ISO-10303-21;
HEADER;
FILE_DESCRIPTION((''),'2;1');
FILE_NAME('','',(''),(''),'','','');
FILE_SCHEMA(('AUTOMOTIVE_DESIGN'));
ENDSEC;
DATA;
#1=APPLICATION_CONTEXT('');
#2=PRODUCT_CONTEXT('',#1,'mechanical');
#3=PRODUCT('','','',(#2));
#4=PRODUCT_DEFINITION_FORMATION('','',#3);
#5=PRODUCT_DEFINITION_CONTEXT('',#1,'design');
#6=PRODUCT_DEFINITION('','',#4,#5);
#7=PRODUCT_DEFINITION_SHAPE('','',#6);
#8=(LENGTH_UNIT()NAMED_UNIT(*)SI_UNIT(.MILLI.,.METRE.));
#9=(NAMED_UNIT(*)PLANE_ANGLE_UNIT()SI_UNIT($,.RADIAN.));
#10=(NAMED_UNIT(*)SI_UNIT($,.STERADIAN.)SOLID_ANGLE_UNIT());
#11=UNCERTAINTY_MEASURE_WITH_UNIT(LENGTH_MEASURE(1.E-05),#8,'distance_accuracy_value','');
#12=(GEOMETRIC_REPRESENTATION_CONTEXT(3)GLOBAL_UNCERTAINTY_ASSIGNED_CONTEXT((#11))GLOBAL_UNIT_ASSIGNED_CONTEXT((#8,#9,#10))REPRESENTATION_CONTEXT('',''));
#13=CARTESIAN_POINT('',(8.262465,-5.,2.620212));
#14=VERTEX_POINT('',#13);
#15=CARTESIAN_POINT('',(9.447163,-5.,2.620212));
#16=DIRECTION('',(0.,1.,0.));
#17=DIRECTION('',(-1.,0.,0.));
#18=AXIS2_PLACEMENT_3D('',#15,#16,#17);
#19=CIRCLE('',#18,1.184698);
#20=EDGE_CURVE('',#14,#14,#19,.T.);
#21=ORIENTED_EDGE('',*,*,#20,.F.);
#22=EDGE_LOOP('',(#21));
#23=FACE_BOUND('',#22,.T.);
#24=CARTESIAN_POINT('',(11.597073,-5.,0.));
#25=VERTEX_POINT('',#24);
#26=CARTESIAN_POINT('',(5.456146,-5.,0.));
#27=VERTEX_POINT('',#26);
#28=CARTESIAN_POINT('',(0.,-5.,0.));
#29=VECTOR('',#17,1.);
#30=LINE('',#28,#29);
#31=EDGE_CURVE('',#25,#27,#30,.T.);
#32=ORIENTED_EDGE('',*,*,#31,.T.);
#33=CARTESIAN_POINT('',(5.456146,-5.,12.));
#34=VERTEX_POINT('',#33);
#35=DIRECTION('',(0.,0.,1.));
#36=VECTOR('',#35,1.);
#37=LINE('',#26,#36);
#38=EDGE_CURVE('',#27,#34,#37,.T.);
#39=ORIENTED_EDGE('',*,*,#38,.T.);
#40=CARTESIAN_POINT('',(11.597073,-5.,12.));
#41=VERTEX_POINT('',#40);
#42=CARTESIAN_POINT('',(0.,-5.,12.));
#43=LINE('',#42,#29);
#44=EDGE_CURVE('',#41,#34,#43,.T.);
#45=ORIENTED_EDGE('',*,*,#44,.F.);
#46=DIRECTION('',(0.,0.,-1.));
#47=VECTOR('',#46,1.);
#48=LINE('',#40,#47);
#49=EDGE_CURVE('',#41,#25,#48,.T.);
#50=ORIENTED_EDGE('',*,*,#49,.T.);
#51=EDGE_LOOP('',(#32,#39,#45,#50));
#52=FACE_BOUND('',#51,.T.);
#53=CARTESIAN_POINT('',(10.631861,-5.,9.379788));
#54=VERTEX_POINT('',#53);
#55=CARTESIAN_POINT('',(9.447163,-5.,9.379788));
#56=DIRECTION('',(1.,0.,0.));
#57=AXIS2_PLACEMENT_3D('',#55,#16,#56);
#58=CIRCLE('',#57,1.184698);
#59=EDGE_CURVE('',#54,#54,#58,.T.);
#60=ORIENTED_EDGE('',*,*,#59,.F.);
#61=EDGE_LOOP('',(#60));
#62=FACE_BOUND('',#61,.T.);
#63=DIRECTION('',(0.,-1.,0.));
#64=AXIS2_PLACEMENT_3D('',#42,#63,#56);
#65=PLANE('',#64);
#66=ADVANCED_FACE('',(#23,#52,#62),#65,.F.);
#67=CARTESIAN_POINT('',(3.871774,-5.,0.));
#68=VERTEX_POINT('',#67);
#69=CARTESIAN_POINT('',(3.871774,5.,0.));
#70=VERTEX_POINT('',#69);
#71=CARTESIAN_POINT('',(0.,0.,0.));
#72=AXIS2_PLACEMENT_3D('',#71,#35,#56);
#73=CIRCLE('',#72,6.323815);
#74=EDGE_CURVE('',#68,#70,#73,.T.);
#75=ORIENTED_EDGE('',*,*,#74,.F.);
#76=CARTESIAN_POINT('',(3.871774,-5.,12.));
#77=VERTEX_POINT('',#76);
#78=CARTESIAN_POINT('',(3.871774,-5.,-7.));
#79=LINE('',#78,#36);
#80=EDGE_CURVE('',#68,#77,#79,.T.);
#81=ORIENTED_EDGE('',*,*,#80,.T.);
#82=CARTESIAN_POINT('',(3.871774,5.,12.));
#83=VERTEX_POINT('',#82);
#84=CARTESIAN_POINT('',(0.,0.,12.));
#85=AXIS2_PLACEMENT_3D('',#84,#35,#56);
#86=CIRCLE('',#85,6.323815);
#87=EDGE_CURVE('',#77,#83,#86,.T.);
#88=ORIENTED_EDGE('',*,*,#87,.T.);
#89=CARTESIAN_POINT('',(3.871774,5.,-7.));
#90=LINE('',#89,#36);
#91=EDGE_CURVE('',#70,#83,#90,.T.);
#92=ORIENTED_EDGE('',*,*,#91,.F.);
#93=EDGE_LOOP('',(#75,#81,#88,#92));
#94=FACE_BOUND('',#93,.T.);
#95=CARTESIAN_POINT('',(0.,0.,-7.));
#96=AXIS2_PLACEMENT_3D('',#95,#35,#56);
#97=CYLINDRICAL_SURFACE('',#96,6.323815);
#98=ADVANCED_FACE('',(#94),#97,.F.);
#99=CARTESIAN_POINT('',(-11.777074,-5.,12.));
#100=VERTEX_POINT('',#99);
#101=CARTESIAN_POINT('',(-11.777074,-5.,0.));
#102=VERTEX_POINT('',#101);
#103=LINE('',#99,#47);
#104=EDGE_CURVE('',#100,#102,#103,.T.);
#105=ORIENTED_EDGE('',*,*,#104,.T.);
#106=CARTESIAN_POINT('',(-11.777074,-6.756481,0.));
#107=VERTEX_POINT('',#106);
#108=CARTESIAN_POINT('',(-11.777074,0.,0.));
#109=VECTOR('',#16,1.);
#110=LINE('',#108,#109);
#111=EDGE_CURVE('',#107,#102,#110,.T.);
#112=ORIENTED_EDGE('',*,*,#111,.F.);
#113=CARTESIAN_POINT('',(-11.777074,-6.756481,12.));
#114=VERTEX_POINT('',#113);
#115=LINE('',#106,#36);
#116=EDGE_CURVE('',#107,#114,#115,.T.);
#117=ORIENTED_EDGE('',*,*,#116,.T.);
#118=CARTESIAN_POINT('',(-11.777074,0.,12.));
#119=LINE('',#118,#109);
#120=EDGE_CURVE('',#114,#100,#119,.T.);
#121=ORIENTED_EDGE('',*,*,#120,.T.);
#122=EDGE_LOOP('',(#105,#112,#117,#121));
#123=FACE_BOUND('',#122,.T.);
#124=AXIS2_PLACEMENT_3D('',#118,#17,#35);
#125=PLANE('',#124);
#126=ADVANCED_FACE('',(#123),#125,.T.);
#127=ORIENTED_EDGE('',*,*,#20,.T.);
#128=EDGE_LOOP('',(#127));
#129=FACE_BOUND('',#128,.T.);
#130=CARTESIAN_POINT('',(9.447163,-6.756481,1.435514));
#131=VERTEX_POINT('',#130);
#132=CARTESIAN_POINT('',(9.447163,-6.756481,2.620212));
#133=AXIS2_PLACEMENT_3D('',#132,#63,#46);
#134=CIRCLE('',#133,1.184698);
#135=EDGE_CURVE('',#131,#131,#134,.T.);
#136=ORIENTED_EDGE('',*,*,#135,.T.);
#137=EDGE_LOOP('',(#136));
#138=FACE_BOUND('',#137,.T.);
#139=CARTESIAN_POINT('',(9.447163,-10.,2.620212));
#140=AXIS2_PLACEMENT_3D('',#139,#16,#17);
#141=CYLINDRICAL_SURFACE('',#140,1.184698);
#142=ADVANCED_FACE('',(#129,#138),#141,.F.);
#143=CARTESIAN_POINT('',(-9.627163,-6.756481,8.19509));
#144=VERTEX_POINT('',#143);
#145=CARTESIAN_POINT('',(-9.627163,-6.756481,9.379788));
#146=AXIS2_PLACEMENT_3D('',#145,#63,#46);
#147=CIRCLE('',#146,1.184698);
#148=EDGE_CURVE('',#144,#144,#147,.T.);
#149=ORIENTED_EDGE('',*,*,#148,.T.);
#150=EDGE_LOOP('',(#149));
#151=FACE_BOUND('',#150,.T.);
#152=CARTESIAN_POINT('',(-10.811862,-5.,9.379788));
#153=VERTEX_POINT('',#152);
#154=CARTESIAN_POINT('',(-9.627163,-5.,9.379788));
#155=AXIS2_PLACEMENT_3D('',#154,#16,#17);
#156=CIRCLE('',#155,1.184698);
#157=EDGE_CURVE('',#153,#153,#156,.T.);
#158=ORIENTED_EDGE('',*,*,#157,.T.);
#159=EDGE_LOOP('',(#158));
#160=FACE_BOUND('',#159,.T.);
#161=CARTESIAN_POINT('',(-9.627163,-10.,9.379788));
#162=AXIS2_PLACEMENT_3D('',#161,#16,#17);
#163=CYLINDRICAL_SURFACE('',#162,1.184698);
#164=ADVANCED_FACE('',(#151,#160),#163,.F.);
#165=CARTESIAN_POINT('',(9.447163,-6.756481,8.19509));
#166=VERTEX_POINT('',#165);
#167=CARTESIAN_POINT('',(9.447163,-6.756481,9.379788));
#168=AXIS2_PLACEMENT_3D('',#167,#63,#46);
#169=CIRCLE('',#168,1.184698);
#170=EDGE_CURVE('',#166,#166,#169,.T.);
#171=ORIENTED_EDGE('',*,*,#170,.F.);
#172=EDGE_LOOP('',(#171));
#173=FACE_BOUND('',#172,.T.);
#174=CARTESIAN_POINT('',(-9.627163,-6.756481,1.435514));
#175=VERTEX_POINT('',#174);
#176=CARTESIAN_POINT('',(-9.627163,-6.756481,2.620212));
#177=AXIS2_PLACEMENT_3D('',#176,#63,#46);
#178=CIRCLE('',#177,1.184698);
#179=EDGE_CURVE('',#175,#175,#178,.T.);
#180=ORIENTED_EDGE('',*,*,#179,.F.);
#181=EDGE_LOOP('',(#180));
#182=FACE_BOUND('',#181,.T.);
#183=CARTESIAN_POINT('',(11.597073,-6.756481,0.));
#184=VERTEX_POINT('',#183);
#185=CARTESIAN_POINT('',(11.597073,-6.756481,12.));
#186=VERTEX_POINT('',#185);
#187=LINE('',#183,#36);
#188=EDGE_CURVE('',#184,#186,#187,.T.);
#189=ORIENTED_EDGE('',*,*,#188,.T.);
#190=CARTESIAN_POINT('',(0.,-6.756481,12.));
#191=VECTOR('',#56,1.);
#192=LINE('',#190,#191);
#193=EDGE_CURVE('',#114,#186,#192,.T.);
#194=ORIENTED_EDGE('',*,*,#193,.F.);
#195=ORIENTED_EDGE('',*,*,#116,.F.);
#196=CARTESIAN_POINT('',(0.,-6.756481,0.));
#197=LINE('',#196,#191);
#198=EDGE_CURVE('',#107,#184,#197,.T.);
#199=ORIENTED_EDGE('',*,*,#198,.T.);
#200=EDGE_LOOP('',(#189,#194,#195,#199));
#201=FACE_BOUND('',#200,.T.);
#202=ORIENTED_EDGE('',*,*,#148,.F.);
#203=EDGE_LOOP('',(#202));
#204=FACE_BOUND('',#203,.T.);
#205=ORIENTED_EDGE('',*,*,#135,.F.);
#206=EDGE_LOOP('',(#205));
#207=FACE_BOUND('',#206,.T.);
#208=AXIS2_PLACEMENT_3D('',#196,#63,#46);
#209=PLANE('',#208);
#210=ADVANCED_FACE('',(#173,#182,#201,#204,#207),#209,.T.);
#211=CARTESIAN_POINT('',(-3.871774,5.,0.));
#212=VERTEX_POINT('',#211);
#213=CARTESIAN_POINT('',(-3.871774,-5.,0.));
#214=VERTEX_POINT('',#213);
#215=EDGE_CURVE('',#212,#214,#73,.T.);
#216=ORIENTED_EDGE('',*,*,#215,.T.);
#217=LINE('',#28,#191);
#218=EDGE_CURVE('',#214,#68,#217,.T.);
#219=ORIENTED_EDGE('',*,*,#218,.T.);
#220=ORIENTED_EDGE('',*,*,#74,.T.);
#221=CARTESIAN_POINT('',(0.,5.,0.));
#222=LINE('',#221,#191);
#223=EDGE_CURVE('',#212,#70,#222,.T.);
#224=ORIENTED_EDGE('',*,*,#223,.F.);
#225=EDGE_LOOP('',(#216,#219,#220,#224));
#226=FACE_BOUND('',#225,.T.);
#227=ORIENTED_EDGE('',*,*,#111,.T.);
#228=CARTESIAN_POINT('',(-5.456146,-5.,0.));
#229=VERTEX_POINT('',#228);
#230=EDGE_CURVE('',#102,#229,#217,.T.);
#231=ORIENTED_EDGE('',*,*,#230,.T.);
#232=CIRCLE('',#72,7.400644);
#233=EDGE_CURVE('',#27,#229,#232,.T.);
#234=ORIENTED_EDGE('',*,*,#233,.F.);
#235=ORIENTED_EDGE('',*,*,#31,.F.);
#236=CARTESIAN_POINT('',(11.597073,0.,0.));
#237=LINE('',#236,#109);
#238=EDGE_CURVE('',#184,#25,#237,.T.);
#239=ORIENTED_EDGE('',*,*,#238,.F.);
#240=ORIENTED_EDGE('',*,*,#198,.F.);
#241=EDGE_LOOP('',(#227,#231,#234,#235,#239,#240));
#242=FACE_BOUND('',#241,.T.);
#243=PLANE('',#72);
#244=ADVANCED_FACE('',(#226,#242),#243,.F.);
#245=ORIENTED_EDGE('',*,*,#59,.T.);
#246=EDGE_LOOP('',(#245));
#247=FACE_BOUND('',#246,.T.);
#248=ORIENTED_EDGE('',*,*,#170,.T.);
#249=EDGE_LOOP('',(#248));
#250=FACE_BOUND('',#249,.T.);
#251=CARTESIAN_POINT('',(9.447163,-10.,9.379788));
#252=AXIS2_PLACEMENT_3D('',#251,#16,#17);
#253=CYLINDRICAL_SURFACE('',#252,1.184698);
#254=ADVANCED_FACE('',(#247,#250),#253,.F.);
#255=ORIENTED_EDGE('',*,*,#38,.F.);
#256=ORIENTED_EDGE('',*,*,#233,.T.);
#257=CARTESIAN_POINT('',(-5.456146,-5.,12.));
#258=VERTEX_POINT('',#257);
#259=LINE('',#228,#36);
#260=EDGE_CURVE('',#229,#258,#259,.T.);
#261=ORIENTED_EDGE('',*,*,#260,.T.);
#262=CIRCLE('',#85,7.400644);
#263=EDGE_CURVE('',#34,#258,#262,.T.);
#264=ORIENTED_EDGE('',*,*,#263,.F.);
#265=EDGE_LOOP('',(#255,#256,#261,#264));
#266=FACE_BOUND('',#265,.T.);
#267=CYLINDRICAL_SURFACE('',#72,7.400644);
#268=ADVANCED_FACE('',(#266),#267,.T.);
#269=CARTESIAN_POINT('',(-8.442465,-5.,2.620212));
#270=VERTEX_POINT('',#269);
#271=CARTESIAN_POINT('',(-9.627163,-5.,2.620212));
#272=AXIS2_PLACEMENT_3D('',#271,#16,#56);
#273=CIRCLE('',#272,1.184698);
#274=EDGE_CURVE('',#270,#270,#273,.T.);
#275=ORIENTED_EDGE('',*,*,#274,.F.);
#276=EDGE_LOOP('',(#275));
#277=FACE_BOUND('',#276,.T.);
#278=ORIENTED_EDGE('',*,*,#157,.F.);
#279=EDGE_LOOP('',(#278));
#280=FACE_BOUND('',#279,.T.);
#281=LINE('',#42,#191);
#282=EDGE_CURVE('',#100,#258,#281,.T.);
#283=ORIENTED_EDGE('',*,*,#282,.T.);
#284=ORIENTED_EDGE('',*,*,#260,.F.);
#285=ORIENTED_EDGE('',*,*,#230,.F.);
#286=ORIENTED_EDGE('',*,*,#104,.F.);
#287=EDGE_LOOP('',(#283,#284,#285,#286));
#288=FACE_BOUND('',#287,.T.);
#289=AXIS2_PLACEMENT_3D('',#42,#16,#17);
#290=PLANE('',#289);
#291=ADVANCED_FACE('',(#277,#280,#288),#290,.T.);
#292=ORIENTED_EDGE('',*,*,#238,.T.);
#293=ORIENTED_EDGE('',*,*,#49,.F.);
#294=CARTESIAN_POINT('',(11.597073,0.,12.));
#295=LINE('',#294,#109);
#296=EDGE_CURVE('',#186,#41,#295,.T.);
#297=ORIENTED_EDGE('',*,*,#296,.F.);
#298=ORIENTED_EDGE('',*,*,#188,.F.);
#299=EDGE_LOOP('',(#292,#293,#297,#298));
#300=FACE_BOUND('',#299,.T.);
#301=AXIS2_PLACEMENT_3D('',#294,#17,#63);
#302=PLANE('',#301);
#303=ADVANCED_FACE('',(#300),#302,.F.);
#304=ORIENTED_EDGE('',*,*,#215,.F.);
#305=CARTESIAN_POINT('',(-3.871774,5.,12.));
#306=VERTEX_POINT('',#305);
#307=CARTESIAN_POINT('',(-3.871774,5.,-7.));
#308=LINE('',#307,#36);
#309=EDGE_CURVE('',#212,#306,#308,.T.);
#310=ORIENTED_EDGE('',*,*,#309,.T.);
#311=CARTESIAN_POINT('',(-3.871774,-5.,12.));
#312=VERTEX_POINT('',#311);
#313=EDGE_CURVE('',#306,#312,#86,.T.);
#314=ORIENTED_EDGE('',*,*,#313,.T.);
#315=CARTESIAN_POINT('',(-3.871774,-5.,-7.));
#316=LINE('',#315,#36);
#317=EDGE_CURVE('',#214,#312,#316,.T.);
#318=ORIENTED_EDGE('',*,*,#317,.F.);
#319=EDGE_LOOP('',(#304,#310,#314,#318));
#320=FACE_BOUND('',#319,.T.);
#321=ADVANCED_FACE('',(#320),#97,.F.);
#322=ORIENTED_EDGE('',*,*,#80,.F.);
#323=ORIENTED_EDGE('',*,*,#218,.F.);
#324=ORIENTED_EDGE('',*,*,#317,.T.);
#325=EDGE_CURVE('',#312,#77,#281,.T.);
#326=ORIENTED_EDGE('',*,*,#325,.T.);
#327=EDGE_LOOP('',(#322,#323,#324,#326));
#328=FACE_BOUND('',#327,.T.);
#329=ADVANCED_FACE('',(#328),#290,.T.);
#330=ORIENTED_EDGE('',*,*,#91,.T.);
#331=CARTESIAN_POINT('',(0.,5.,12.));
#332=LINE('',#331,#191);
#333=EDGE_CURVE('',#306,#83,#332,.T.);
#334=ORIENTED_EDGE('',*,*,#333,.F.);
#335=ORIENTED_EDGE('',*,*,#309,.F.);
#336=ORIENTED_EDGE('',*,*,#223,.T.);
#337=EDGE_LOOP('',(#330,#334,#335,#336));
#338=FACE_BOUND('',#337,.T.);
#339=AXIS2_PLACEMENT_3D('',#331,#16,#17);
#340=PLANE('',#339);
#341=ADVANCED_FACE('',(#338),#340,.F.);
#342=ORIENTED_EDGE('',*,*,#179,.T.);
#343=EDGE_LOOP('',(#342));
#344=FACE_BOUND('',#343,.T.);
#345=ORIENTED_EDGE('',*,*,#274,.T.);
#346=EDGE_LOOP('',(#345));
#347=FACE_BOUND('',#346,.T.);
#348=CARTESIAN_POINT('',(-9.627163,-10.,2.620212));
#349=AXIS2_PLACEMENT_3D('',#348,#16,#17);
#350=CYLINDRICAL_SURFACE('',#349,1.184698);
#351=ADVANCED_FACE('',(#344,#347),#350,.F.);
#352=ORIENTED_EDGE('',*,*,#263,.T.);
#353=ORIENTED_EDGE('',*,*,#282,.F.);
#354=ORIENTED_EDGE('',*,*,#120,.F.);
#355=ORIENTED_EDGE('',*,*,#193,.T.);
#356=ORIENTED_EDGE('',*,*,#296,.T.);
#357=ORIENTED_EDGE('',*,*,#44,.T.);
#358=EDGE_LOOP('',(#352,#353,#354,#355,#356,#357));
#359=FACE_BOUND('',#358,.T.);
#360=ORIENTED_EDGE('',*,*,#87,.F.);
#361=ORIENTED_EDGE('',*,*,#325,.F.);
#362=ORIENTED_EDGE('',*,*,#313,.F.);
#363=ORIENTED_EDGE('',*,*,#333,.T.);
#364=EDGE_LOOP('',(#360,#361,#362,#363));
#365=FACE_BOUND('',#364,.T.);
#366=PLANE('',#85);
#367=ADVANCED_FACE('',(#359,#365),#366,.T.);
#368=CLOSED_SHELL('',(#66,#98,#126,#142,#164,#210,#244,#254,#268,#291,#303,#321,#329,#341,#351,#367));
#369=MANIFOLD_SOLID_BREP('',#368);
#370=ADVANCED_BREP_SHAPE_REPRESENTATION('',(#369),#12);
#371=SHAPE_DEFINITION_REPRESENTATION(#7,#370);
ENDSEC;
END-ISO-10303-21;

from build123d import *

# Parameters (mm, degrees)
BOSS_EXTRUDE1_DEPTH = 12
SKETCH3_R           = 1.184698277
CUT_EXTRUDE3_DEPTH  = 5
BOSS_EXTRUDE6_DEPTH = 12
CUT_EXTRUDE4_DEPTH  = 12
SKETCH10_R          = 1.184698277
CUT_EXTRUDE5_DEPTH  = 12
CUT_EXTRUDE7_DEPTH  = 19


with BuildPart() as part:
    # Sketch1 → Boss-Extrude1 (new body)
    with BuildSketch(Plane.XY):
        with BuildLine():
            Line((-4.775747962, -5), (-3.406624892, -5))
            ThreePointArc((-3.406624892, -5), (-6.090000101, 0), (-3.406624892, 5))
            Line((-3.406624892, 5), (3.226624689, 5))
            ThreePointArc((3.226624689, 5), (5.909999899, 0), (3.226624689, -5))
            Line((3.226624689, -5), (4.595747759, -5))
            ThreePointArc((4.595747759, -5), (-0.090000101, 6.852461821), (-4.775747962, -5))
        make_face()
        with BuildLine():
            Line((11.597073435, -5), (4.595747759, -5))
            ThreePointArc((4.595747759, -5), (3.939029098, -5.542847348), (3.220019991, -6))
            Line((3.220019991, -6), (11.597073435, -6))
            Line((11.597073435, -6), (11.597073435, -5))
        make_face()
        with BuildLine():
            Line((3.226624689, -5), (-3.406624892, -5))
            Line((-3.406624892, -5), (-4.775747962, -5))
            ThreePointArc((-4.775747962, -5), (-4.119029301, -5.542847348), (-3.400020194, -6))
            Line((-3.400020194, -6), (3.220019991, -6))
            ThreePointArc((3.220019991, -6), (3.939029098, -5.542847348), (4.595747759, -5))
            Line((4.595747759, -5), (3.226624689, -5))
        make_face()
        with BuildLine():
            ThreePointArc((-3.400020194, -6), (-4.119029301, -5.542847348), (-4.775747962, -5))
            Line((-4.775747962, -5), (-11.777073637, -5))
            Line((-11.777073637, -5), (-11.777073637, -6))
            Line((-11.777073637, -6), (-3.400020194, -6))
        make_face()
    extrude(amount=BOSS_EXTRUDE1_DEPTH)

    # Sketch3 → Cut-Extrude3 (cut)
    with BuildSketch(Plane(origin=(0, -5, 0), x_dir=(1, 0, 0), z_dir=(0, 1, 0))):
        with Locations((-9.627163284, -9.379788166)):
            Circle(SKETCH3_R)
        with Locations((9.447163082, -9.379788166)):
            Circle(SKETCH3_R)
        with Locations((9.447163082, -2.620211834)):
            Circle(SKETCH3_R)
        with Locations((-9.627163284, -2.620211834)):
            Circle(SKETCH3_R)
    extrude(amount=-CUT_EXTRUDE3_DEPTH, mode=Mode.SUBTRACT)

    # Sketch7 → Boss-Extrude6 (add)
    with BuildSketch(Plane.XY.offset(12)):
        with BuildLine():
            ThreePointArc((5.456145908, -5), (0, 7.400643767), (-5.456145908, -5))
            Line((-5.456145908, -5), (-4.775747962, -5))
            ThreePointArc((-4.775747962, -5), (-0.090000101, 6.852461821), (4.595747759, -5))
            Line((4.595747759, -5), (5.456145908, -5))
        make_face()
        with BuildLine():
            Line((-4.33238135, -6), (-11.777073637, -6))
            Line((-11.777073637, -6), (-11.777073637, -6.756480667))
            Line((-11.777073637, -6.756480667), (-3.019850519, -6.756480667))
            ThreePointArc((-3.019850519, -6.756480667), (-3.695523524, -6.411913447), (-4.33238135, -6))
        make_face()
        with BuildLine():
            Line((4.33238135, -6), (-4.33238135, -6))
            ThreePointArc((-4.33238135, -6), (-3.695523524, -6.411913447), (-3.019850519, -6.756480667))
            Line((-3.019850519, -6.756480667), (3.019850519, -6.756480667))
            ThreePointArc((3.019850519, -6.756480667), (3.695523524, -6.411913447), (4.33238135, -6))
        make_face()
        with BuildLine():
            Line((11.597073435, -6), (4.33238135, -6))
            ThreePointArc((4.33238135, -6), (3.695523524, -6.411913447), (3.019850519, -6.756480667))
            Line((3.019850519, -6.756480667), (11.597073435, -6.756480667))
            Line((11.597073435, -6.756480667), (11.597073435, -6))
        make_face()
    extrude(amount=-BOSS_EXTRUDE6_DEPTH)

    # Sketch9 → Cut-Extrude4 (cut)
    with BuildSketch(Plane.XY.offset(12)):
        with BuildLine():
            Line((-3.476794678, 5), (3.476794678, 5))
            ThreePointArc((3.476794678, 5), (6.090000101, 0), (3.476794678, -5))
            Line((3.476794678, -5), (-3.476794678, -5))
            ThreePointArc((-3.476794678, -5), (-6.090000101, 0), (-3.476794678, 5))
        make_face()
    extrude(amount=-CUT_EXTRUDE4_DEPTH, mode=Mode.SUBTRACT)

    # Sketch10 → Cut-Extrude5 (cut)
    with BuildSketch(Plane(origin=(0, -5, 0), x_dir=(1, 0, 0), z_dir=(0, 1, 0))):
        with Locations((-9.627163284, -2.620211834)):
            Circle(SKETCH10_R)
        with Locations((-9.627163284, -9.379788166)):
            Circle(SKETCH10_R)
        with Locations((9.447163082, -2.620211834)):
            Circle(SKETCH10_R)
        with Locations((9.447163082, -9.379788166)):
            Circle(SKETCH10_R)
    extrude(amount=-CUT_EXTRUDE5_DEPTH, mode=Mode.SUBTRACT)

    # Sketch11 → Cut-Extrude7 (cut)
    with BuildSketch(Plane.XY.offset(12)):
        with BuildLine():
            Line((-3.476794678, 5), (-3.871774203, 5))
            ThreePointArc((-3.871774203, 5), (-6.323814947, 0), (-3.871774203, -5))
            Line((-3.871774203, -5), (-3.476794678, -5))
            Line((-3.476794678, -5), (3.871774203, -5))
            ThreePointArc((3.871774203, -5), (6.323814947, 0), (3.871774203, 5))
            Line((3.871774203, 5), (-3.476794678, 5))
        make_face()
    extrude(amount=-CUT_EXTRUDE7_DEPTH, mode=Mode.SUBTRACT)


solid = part.part
